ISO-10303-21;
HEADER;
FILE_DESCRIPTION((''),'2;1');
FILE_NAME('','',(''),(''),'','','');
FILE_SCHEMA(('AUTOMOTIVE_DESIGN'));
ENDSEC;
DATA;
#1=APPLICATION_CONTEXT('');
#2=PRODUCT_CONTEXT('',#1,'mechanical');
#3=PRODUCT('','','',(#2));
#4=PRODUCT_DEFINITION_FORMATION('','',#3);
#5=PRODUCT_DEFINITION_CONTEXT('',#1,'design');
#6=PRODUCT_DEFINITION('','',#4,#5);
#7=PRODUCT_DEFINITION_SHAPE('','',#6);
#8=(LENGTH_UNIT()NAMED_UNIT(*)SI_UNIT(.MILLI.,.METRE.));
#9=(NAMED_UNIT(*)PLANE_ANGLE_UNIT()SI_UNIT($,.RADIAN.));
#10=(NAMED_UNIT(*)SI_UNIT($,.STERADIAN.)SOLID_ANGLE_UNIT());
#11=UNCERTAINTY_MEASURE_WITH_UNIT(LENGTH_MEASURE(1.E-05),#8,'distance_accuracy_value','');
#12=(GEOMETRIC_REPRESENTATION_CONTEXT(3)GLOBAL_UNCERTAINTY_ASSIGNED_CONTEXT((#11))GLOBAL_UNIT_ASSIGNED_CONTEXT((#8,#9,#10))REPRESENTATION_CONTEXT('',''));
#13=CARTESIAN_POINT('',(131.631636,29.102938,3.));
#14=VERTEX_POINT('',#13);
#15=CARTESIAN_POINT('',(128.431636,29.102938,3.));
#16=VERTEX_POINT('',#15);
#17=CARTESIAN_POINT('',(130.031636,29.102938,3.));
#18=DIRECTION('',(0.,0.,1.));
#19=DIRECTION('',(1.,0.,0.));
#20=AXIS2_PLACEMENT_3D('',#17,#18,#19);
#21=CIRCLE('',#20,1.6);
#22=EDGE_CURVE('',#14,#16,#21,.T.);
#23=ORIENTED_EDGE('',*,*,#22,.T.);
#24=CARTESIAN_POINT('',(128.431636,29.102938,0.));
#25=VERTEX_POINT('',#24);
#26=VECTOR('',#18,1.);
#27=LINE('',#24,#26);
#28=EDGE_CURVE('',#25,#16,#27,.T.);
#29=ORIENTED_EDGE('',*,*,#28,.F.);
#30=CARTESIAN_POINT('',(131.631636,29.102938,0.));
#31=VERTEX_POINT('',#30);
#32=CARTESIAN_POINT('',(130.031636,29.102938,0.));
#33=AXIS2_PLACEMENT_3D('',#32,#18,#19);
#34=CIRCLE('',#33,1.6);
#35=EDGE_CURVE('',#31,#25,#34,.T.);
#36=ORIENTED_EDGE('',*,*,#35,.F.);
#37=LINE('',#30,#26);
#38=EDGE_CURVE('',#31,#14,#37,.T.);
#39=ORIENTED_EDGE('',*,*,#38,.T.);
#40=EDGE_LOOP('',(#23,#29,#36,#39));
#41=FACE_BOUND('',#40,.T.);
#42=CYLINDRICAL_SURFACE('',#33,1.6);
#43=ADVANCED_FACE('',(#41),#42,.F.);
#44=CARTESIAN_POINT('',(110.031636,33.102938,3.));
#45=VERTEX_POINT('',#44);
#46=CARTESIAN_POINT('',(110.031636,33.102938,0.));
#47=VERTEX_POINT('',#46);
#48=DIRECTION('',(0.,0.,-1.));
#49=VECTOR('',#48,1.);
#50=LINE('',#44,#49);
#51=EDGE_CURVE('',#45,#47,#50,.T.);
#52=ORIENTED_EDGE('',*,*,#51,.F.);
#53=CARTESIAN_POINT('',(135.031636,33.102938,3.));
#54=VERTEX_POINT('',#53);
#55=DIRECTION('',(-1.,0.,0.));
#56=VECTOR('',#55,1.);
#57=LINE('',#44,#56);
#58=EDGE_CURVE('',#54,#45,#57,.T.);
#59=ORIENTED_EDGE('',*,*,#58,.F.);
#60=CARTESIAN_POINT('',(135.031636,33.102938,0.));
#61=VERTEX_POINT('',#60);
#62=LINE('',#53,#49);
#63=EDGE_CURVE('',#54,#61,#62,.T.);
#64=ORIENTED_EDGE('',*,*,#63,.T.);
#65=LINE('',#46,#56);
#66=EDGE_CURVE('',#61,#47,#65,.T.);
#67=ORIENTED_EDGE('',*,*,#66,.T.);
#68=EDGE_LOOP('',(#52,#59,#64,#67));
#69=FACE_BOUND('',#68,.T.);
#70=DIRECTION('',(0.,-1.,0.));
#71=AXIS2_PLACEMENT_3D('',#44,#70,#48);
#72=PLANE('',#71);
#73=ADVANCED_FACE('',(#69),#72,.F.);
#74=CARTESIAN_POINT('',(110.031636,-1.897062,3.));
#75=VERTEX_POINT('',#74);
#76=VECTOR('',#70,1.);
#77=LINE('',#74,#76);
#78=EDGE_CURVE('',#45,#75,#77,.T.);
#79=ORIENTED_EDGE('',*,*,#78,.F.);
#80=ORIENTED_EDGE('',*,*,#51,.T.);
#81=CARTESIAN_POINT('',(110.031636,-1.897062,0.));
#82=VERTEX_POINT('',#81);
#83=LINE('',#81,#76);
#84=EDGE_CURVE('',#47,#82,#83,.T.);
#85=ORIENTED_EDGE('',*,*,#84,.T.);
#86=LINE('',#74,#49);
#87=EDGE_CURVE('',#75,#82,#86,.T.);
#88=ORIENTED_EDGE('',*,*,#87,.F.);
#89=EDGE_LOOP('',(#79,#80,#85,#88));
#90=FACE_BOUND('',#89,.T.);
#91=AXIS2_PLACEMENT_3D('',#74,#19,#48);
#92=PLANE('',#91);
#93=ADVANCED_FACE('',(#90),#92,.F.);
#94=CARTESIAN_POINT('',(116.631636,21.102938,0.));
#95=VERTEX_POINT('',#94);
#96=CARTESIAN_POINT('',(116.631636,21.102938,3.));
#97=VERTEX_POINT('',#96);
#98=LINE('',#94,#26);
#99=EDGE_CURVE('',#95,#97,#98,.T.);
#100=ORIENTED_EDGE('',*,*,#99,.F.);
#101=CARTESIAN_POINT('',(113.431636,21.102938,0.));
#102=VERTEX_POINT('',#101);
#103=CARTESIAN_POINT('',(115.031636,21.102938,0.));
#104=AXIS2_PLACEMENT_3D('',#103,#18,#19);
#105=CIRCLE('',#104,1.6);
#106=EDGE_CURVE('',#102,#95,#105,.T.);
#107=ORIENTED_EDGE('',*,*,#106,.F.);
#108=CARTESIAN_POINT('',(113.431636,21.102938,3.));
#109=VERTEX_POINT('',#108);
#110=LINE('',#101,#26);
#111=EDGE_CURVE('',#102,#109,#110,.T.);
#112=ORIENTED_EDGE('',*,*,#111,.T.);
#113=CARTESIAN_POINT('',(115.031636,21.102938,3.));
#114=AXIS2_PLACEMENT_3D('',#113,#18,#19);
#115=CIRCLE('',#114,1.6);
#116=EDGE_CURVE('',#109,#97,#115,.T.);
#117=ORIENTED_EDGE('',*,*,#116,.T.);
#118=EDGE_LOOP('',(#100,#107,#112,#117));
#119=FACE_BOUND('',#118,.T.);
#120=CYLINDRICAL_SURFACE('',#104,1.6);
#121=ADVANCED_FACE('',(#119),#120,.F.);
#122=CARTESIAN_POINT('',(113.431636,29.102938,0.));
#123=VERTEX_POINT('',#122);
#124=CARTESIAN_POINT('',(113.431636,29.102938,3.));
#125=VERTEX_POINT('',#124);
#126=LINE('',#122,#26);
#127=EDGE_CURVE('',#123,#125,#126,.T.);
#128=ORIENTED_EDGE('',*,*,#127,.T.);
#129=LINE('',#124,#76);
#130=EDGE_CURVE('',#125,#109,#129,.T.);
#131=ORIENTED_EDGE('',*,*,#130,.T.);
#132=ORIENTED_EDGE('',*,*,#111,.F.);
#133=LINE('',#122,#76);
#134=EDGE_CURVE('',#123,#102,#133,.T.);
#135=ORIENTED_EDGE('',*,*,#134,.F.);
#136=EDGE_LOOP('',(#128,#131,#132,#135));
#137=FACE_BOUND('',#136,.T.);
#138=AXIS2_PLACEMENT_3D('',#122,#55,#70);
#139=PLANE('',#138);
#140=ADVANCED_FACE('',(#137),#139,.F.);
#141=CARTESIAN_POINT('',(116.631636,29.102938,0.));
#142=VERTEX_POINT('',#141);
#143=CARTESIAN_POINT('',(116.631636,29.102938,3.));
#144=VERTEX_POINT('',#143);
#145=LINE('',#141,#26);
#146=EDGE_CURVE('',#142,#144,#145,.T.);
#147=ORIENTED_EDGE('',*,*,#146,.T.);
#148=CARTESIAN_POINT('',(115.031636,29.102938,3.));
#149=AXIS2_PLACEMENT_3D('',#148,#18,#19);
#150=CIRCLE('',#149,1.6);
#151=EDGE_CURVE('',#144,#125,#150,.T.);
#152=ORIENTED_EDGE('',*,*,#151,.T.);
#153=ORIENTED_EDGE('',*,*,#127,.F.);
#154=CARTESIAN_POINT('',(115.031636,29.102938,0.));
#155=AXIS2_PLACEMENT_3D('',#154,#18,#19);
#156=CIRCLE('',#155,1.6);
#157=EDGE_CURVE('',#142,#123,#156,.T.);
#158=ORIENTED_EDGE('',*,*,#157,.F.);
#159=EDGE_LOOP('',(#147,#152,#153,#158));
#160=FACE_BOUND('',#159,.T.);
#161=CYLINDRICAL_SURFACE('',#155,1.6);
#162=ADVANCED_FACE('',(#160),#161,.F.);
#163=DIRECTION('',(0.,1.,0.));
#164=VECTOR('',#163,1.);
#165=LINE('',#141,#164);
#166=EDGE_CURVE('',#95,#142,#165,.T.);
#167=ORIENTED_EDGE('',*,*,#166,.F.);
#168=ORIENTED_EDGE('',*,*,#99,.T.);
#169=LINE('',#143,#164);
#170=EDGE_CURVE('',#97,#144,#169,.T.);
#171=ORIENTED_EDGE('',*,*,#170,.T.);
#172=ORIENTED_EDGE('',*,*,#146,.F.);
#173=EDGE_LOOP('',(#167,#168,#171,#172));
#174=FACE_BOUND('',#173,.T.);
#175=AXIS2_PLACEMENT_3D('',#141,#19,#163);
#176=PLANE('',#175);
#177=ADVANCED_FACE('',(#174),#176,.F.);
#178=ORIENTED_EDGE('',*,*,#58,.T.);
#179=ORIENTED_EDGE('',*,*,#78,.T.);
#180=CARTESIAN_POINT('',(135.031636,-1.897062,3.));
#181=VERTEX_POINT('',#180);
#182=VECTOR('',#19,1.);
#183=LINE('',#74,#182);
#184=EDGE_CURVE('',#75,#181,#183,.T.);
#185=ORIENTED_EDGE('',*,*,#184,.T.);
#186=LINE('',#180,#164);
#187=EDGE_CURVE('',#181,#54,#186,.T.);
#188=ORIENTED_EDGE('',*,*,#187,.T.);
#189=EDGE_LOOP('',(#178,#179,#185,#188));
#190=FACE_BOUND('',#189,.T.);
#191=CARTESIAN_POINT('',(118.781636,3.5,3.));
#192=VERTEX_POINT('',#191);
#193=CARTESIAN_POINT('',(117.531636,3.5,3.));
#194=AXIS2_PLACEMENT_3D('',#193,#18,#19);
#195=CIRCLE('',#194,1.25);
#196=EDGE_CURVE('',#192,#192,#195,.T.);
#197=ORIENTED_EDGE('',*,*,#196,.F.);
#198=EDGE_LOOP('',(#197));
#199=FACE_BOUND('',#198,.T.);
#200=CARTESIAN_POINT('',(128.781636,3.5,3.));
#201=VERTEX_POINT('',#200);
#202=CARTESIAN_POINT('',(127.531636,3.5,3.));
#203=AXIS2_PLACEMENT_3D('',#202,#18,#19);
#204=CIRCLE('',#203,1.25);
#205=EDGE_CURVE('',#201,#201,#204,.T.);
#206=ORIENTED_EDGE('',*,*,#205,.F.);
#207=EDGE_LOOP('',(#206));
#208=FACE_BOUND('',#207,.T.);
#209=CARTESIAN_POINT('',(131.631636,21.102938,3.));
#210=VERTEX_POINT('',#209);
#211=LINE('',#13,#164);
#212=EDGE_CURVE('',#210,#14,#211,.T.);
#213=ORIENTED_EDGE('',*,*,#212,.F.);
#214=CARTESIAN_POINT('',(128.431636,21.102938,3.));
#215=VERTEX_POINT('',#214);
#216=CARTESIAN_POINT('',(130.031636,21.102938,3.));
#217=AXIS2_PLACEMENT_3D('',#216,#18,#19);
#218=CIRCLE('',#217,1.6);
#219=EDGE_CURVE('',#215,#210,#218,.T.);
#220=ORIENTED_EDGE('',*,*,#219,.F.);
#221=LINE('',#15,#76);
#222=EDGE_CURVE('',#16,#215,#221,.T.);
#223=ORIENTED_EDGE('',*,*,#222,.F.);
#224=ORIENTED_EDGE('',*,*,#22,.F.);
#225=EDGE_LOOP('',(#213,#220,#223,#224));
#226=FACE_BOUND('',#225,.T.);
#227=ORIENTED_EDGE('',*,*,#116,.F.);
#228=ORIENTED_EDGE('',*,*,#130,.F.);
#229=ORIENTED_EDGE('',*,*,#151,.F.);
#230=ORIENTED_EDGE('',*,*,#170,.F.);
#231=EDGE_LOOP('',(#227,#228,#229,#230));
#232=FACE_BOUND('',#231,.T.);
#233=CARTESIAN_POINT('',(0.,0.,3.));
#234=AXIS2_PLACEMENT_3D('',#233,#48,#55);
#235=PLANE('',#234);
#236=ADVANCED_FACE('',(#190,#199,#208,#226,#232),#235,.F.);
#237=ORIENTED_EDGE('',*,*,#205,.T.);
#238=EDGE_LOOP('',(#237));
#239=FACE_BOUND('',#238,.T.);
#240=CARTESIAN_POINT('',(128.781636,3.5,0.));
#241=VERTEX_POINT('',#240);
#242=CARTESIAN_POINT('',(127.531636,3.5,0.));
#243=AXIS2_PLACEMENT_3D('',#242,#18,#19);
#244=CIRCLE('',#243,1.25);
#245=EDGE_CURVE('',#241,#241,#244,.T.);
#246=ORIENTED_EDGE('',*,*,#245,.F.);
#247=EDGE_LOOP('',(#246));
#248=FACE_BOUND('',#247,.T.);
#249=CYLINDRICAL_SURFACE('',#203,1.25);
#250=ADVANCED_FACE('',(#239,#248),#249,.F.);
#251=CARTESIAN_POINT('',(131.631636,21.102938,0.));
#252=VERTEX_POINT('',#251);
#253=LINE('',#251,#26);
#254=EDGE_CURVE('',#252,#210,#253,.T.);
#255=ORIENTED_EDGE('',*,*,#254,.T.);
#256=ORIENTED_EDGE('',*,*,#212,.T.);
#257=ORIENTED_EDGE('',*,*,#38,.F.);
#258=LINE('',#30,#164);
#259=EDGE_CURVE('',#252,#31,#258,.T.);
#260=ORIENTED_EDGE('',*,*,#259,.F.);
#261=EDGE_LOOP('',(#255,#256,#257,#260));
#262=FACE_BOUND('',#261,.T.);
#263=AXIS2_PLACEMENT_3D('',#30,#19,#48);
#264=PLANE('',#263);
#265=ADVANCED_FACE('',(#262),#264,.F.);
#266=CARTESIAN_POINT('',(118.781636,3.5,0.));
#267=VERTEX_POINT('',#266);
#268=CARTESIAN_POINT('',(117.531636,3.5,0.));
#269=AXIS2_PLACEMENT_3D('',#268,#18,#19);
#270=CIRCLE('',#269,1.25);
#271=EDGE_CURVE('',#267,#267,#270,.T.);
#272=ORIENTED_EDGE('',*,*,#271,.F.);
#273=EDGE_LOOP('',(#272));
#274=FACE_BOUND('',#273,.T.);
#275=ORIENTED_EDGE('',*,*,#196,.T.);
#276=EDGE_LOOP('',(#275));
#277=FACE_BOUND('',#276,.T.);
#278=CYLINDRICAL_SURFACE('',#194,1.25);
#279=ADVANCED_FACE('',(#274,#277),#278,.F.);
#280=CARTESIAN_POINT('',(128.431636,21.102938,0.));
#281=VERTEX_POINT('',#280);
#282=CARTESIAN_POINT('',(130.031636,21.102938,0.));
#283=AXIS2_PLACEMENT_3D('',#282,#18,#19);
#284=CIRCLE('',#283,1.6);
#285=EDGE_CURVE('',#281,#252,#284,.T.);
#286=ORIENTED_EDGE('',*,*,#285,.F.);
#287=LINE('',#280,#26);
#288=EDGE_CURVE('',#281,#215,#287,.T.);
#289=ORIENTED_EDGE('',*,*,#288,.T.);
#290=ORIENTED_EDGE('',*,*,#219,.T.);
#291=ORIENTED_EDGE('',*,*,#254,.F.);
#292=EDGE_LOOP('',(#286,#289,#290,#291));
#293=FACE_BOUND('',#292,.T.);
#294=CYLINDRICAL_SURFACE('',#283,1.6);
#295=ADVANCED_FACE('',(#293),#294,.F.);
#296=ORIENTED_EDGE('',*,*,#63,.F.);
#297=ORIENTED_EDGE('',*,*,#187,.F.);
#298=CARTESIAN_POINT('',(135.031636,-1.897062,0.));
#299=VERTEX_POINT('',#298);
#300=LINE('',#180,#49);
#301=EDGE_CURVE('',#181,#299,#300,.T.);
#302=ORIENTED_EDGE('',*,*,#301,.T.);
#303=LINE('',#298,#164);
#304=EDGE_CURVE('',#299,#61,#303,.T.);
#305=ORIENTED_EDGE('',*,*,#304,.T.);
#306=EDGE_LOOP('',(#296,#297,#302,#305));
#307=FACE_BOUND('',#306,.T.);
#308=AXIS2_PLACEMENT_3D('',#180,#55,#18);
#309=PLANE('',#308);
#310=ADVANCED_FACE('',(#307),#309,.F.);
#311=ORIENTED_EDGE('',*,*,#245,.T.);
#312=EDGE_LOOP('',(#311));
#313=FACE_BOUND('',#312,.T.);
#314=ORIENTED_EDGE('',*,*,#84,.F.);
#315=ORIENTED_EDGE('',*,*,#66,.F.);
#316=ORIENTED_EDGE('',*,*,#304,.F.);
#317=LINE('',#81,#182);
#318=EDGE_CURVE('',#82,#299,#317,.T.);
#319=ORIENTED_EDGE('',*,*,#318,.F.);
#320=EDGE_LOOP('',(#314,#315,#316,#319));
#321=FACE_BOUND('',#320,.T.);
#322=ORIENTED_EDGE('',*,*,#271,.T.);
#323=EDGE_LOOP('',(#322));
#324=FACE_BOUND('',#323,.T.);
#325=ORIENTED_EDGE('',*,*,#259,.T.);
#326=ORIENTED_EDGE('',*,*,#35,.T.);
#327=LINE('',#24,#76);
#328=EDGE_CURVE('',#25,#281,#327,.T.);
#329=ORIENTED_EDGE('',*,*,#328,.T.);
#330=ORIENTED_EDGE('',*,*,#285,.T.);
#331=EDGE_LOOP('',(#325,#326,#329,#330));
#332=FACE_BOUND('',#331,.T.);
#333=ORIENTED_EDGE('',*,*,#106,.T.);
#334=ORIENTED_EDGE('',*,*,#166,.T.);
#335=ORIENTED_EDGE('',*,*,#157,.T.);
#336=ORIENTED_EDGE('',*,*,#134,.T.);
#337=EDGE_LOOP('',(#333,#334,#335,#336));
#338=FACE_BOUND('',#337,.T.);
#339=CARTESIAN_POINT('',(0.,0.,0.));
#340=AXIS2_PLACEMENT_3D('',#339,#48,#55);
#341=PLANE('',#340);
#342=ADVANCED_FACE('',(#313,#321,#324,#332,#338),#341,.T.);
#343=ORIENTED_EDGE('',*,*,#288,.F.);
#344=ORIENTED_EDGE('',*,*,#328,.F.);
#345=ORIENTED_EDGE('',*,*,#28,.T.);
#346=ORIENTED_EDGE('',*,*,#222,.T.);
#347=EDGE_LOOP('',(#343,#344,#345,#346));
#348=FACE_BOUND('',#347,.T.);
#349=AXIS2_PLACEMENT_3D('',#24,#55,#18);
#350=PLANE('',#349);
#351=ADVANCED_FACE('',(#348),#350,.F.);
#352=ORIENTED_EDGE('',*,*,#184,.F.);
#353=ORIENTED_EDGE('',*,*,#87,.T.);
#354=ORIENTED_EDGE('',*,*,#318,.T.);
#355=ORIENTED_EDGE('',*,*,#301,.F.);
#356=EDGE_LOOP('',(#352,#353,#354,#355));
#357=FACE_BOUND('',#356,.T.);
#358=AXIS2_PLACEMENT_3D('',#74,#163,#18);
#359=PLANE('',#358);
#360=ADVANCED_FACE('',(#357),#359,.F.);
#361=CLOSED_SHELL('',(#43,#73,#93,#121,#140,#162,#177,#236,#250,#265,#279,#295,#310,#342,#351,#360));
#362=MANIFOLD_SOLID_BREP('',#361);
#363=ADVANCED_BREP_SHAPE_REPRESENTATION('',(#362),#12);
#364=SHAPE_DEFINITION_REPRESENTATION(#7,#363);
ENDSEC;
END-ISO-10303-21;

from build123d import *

# Parameters (mm, degrees)
SKETCH_1_W          = 25
SKETCH_1_H          = 35
EXTRUDE_1_DEPTH     = 3
M3X0_5_1_D          = 2.5
CUT_EXTRUDE_1_DEPTH = 140.062386204


with BuildPart() as part:
    # 草图1 → 凸台-拉伸1 (new body)
    with BuildSketch(Plane.XY):
        with Locations((122.531636064, 15.602938216)):
            Rectangle(SKETCH_1_W, SKETCH_1_H)
    extrude(amount=EXTRUDE_1_DEPTH)

    # M3x0.5 螺纹孔1 (through all)
    with Locations(Plane.XY.offset(3)):
        with Locations((117.531636064, 3.5), (127.531636064, 3.5)):
            Hole(M3X0_5_1_D / 2)

    # 草图4 → 切除-拉伸1 (cut, through all)
    with BuildSketch(Plane.XY.offset(3)):
        with BuildLine():
            Line((116.631636064, 29.102938216), (116.631636064, 21.102938216))
            ThreePointArc((116.631636064, 21.102938216), (115.031636064, 19.502938216), (113.431636064, 21.102938216))
            Line((113.431636064, 21.102938216), (113.431636064, 29.102938216))
            ThreePointArc((113.431636064, 29.102938216), (115.031636064, 30.702938216), (116.631636064, 29.102938216))
        make_face()
        with BuildLine():
            Line((131.631636064, 29.102938216), (131.631636064, 21.102938216))
            ThreePointArc((131.631636064, 21.102938216), (130.031636064, 19.502938216), (128.431636064, 21.102938216))
            Line((128.431636064, 21.102938216), (128.431636064, 29.102938216))
            ThreePointArc((128.431636064, 29.102938216), (130.031636064, 30.702938216), (131.631636064, 29.102938216))
        make_face()
    extrude(amount=-CUT_EXTRUDE_1_DEPTH, mode=Mode.SUBTRACT)


solid = part.part
